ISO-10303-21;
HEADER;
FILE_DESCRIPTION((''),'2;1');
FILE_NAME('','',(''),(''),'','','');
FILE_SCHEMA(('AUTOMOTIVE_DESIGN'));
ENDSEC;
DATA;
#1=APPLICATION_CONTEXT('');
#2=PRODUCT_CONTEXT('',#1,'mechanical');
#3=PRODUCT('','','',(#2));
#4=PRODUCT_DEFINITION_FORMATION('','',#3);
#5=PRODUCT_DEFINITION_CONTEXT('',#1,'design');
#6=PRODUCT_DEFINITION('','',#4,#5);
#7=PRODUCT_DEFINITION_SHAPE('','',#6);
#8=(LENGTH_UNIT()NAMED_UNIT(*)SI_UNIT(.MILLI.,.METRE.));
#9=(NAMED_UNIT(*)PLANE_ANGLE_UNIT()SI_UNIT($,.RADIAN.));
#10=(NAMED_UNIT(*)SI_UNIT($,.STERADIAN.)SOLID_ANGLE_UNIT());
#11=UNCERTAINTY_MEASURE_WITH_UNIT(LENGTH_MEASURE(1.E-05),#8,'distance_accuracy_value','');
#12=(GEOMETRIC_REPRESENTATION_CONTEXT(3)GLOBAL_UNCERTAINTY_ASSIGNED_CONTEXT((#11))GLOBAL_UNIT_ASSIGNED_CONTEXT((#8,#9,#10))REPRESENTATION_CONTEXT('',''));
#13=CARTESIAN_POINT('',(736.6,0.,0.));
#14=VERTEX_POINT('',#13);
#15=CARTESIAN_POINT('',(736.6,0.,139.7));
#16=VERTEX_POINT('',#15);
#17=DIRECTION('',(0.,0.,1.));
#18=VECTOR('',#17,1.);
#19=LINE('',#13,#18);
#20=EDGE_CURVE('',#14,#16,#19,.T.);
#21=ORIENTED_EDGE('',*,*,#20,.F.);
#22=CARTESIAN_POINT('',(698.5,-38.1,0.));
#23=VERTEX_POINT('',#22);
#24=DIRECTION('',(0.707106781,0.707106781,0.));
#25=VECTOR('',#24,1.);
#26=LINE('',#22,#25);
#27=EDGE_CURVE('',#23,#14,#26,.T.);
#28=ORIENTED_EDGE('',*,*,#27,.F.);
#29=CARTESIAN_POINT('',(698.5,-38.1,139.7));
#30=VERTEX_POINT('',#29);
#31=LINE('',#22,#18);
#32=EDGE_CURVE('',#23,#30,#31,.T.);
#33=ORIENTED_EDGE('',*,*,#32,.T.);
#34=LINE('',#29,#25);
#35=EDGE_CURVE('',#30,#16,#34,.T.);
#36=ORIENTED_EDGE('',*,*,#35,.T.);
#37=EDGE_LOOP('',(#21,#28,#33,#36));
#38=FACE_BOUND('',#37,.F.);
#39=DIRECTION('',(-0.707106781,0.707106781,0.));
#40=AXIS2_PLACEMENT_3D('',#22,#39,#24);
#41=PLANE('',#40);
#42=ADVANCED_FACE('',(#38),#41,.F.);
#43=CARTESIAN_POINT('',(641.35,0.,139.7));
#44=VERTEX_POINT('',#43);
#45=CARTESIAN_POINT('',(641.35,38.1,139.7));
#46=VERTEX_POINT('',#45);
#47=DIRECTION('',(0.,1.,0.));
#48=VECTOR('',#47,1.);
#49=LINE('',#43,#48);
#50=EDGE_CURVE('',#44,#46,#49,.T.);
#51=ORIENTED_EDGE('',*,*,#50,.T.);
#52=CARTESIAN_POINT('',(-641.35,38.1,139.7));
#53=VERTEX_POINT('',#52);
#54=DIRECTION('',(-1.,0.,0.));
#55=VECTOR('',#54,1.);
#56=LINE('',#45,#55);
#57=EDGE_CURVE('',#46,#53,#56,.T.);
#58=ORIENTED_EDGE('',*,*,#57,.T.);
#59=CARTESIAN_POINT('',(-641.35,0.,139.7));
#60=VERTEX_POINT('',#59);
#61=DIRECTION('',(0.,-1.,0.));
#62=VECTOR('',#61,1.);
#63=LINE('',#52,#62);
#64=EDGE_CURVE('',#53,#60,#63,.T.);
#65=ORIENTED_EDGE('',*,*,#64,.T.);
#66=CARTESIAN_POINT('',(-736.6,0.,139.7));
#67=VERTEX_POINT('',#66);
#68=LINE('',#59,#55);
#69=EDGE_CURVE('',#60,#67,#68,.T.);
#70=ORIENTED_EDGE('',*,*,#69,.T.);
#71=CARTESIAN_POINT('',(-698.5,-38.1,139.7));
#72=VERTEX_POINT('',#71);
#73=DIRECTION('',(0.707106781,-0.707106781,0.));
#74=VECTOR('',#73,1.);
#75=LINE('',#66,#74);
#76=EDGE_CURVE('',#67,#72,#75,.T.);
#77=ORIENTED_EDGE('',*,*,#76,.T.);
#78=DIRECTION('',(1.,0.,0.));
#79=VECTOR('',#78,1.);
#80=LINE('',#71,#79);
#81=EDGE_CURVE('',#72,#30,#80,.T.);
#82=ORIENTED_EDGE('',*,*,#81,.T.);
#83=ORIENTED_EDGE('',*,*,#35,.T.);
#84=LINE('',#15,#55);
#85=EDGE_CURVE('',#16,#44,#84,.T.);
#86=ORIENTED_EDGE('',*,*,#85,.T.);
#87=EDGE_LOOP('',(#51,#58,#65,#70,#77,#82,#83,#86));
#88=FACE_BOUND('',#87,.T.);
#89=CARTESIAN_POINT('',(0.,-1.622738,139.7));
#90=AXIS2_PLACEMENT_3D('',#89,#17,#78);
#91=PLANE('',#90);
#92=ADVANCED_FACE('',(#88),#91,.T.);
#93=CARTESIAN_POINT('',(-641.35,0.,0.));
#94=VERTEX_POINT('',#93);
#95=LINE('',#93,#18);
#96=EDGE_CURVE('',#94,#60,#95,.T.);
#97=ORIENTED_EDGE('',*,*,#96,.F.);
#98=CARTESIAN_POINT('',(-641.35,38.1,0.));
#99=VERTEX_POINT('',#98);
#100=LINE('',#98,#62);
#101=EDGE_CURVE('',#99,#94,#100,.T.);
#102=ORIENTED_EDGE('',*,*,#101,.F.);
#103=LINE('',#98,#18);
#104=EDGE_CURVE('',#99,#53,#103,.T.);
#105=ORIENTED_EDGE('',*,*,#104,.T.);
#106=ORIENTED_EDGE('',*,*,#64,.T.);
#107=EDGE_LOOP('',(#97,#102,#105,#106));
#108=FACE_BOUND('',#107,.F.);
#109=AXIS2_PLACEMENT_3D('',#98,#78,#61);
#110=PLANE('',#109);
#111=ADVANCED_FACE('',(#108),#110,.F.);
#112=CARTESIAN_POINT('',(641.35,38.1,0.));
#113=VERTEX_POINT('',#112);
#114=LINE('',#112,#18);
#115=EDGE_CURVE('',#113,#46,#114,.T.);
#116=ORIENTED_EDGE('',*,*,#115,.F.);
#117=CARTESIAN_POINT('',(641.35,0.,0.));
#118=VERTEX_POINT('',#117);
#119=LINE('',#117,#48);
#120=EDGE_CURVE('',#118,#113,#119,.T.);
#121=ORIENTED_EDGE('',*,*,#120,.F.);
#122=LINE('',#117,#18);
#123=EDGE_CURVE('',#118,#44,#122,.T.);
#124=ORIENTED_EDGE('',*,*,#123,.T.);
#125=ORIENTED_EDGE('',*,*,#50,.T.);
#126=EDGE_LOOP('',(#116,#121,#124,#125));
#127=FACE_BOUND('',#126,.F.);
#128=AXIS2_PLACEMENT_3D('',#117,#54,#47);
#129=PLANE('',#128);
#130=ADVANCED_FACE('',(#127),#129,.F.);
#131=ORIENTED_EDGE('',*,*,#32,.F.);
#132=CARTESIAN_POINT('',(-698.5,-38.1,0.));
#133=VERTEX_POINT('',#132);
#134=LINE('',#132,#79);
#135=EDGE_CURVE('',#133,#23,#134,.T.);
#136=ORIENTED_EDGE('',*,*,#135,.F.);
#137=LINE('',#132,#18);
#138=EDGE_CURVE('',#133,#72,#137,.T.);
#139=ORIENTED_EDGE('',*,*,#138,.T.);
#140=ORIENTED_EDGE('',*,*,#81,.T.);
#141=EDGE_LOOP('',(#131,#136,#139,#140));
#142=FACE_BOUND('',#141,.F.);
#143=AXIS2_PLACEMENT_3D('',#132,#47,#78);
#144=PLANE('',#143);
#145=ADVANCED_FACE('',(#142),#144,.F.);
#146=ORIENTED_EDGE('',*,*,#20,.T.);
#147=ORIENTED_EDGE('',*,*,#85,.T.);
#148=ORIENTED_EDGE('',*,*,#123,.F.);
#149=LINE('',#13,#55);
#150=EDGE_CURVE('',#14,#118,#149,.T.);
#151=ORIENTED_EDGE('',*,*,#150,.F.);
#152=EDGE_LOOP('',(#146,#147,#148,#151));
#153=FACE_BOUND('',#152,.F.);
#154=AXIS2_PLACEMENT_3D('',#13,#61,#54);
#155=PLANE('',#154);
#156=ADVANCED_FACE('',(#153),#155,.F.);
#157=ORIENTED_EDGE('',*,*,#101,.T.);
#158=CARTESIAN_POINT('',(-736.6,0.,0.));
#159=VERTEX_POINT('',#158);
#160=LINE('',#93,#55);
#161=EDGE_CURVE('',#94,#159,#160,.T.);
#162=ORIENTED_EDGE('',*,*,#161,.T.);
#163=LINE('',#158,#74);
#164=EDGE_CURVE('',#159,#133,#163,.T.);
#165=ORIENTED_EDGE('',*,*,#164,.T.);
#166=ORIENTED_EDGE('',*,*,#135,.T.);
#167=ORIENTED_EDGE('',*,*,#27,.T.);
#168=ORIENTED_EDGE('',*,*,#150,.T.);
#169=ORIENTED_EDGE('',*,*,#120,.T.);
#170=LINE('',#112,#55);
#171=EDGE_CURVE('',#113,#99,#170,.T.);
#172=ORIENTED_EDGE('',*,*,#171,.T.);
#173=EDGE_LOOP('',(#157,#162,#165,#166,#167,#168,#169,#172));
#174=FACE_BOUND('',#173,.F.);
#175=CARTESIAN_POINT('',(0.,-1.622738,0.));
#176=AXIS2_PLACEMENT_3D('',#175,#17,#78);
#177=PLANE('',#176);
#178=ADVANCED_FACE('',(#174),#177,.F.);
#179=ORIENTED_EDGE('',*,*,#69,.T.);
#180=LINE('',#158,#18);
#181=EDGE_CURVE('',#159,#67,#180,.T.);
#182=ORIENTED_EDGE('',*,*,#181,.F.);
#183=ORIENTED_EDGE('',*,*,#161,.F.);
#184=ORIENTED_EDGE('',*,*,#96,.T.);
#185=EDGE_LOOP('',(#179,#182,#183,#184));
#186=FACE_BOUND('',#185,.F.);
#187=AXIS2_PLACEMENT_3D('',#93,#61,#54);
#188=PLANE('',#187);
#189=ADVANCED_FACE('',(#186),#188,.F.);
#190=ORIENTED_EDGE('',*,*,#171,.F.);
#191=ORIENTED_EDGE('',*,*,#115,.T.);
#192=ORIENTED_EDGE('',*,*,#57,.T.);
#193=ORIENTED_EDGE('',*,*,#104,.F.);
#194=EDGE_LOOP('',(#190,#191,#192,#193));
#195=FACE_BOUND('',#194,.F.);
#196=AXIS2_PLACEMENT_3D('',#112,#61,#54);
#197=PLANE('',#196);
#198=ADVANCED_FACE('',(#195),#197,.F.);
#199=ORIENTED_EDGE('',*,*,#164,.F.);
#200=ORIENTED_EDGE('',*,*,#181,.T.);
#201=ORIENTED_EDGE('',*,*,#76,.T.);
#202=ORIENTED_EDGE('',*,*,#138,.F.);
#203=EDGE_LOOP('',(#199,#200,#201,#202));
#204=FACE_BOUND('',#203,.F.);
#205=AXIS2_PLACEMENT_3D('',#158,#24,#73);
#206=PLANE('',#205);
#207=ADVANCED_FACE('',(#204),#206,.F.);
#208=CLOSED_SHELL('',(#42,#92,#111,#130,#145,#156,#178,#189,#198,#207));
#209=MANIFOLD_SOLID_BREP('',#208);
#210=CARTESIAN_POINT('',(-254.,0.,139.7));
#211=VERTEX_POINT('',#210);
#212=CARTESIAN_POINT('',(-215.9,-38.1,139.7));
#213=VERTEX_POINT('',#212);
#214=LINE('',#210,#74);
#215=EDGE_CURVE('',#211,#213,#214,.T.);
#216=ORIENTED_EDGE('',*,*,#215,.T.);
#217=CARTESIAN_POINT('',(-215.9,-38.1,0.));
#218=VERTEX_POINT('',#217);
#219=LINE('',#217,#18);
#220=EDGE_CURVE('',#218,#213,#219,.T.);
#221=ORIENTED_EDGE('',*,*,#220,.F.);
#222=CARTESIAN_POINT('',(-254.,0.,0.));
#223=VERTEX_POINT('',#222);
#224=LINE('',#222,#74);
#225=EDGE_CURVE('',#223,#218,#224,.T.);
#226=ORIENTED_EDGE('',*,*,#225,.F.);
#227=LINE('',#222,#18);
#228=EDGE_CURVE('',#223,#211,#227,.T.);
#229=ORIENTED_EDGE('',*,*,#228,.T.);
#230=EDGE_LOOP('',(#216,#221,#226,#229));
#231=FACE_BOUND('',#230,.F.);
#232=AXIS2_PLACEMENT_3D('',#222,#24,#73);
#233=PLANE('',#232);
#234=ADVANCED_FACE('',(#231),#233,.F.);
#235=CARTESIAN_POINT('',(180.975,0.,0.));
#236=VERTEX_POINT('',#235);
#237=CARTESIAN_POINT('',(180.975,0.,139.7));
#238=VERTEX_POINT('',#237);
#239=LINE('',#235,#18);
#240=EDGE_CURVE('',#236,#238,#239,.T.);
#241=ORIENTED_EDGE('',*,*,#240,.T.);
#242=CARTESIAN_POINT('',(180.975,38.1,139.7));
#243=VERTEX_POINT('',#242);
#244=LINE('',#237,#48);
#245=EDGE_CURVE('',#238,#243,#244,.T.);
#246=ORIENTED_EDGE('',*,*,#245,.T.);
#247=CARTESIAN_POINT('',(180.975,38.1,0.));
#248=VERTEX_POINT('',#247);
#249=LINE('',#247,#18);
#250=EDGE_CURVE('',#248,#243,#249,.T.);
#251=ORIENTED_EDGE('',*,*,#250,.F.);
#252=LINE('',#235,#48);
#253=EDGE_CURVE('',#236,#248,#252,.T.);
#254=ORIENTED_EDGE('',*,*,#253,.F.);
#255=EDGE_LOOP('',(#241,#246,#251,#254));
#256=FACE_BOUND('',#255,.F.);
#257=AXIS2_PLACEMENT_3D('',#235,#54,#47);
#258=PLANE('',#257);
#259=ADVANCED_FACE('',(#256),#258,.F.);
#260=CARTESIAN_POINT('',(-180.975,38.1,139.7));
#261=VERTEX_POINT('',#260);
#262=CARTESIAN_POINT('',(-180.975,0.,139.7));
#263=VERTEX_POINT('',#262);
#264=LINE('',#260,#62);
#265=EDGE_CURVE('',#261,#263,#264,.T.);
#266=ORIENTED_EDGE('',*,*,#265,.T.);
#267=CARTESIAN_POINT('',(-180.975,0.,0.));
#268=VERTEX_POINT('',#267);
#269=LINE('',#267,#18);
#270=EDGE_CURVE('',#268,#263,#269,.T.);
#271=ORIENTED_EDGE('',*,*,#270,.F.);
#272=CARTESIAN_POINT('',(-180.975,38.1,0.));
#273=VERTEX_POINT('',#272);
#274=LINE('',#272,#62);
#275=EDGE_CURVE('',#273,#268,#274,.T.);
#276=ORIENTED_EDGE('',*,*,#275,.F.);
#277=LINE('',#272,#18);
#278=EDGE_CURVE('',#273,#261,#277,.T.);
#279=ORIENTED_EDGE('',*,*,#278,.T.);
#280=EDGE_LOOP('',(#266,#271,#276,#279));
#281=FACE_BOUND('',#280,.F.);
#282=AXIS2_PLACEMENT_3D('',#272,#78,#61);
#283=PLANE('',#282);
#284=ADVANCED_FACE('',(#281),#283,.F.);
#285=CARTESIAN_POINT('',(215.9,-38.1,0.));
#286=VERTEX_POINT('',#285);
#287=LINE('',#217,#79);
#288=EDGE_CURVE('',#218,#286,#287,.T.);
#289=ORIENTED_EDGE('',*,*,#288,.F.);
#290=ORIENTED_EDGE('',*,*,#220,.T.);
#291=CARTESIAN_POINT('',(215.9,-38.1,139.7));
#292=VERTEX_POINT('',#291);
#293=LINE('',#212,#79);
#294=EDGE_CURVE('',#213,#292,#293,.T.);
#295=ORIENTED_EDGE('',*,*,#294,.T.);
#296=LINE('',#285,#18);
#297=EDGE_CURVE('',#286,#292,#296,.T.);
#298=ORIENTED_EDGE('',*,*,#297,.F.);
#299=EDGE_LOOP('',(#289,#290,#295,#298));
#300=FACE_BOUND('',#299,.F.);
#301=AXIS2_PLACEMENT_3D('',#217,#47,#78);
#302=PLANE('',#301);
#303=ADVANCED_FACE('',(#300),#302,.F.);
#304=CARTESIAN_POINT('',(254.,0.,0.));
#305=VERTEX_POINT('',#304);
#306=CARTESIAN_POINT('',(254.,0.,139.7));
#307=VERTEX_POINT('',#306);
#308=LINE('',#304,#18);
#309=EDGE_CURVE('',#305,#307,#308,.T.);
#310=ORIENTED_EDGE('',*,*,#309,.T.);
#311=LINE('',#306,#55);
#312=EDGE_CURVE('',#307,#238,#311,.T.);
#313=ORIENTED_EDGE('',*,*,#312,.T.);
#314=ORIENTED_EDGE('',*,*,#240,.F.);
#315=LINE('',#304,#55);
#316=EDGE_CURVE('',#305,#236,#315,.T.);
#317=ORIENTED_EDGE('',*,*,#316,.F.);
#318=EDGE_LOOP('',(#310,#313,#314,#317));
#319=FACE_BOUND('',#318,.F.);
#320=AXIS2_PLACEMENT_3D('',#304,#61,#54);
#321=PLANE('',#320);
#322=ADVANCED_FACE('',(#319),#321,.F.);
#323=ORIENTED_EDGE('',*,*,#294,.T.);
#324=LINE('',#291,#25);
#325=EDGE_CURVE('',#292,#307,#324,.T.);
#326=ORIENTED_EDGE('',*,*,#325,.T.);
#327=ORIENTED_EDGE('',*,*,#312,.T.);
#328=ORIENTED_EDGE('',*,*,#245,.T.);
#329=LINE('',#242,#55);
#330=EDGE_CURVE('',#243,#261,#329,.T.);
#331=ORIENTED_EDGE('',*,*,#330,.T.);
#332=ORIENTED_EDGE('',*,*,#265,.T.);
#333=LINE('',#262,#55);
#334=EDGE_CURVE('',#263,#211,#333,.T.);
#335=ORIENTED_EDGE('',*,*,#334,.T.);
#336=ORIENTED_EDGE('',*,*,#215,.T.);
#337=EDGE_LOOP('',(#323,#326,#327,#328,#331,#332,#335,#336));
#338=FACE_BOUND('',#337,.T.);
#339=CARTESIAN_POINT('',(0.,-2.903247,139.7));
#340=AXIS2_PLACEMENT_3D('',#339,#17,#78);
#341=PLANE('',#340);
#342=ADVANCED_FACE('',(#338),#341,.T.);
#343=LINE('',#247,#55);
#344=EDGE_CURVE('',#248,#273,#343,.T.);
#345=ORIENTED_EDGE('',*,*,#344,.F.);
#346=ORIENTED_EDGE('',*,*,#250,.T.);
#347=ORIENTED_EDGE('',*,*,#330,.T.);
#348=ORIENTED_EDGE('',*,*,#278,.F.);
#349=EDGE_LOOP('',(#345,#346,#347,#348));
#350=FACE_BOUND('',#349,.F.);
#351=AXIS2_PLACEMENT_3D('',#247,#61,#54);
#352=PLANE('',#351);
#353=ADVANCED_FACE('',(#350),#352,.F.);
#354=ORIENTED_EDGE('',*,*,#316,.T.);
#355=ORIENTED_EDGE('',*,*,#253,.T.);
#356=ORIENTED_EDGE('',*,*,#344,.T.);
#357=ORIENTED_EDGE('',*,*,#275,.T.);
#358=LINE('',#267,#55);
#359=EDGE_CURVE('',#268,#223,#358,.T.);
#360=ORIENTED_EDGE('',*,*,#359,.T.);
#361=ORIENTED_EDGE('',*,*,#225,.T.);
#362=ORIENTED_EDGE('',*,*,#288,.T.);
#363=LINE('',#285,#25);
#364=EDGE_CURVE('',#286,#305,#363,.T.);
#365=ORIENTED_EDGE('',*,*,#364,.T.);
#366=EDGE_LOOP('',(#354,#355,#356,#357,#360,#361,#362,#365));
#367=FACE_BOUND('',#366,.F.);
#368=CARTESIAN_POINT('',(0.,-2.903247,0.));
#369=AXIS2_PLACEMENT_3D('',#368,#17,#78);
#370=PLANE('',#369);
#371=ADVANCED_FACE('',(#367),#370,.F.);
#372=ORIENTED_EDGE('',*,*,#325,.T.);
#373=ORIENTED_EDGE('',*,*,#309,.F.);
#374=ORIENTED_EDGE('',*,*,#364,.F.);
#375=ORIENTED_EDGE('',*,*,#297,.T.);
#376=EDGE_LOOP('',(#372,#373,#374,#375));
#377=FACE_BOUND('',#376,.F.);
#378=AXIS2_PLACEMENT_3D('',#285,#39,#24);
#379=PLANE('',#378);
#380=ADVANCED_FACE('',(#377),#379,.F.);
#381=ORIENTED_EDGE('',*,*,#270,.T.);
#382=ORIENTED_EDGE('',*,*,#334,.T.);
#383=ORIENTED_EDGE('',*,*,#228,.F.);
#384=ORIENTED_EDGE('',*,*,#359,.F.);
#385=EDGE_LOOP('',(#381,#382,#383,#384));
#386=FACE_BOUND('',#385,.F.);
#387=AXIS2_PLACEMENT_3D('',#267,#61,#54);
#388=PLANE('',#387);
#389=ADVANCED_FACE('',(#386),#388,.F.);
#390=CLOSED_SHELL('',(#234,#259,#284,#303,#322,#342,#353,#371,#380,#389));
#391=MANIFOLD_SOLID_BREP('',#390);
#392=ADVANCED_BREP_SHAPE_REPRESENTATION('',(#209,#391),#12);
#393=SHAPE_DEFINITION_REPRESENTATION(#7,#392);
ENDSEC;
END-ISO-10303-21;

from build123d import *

# Parameters (mm, degrees)
F1_DEPTH = 139.7
F3_DEPTH = 139.7


with BuildPart() as f1:
    # F0 (on Top) → F1 (new body)
    with BuildSketch(Plane.XY):
        Polygon((-736.6, 0), (-698.5, -38.1), (698.5, -38.1), (736.6, 0), (641.35, 0), (641.35, 38.1), (-641.35, 38.1), (-641.35, 0), align=None)
    extrude(amount=F1_DEPTH)


with BuildPart() as f3:
    # F2 (on Top) → F3 (new body)
    with BuildSketch(Plane.XY):
        Polygon((-254, 0), (-215.9, -38.1), (215.9, -38.1), (254, 0), (180.975, 0), (180.975, 38.1), (-180.975, 38.1), (-180.975, 0), align=None)
    extrude(amount=F3_DEPTH)


solid = Compound([f1.part, f3.part])
